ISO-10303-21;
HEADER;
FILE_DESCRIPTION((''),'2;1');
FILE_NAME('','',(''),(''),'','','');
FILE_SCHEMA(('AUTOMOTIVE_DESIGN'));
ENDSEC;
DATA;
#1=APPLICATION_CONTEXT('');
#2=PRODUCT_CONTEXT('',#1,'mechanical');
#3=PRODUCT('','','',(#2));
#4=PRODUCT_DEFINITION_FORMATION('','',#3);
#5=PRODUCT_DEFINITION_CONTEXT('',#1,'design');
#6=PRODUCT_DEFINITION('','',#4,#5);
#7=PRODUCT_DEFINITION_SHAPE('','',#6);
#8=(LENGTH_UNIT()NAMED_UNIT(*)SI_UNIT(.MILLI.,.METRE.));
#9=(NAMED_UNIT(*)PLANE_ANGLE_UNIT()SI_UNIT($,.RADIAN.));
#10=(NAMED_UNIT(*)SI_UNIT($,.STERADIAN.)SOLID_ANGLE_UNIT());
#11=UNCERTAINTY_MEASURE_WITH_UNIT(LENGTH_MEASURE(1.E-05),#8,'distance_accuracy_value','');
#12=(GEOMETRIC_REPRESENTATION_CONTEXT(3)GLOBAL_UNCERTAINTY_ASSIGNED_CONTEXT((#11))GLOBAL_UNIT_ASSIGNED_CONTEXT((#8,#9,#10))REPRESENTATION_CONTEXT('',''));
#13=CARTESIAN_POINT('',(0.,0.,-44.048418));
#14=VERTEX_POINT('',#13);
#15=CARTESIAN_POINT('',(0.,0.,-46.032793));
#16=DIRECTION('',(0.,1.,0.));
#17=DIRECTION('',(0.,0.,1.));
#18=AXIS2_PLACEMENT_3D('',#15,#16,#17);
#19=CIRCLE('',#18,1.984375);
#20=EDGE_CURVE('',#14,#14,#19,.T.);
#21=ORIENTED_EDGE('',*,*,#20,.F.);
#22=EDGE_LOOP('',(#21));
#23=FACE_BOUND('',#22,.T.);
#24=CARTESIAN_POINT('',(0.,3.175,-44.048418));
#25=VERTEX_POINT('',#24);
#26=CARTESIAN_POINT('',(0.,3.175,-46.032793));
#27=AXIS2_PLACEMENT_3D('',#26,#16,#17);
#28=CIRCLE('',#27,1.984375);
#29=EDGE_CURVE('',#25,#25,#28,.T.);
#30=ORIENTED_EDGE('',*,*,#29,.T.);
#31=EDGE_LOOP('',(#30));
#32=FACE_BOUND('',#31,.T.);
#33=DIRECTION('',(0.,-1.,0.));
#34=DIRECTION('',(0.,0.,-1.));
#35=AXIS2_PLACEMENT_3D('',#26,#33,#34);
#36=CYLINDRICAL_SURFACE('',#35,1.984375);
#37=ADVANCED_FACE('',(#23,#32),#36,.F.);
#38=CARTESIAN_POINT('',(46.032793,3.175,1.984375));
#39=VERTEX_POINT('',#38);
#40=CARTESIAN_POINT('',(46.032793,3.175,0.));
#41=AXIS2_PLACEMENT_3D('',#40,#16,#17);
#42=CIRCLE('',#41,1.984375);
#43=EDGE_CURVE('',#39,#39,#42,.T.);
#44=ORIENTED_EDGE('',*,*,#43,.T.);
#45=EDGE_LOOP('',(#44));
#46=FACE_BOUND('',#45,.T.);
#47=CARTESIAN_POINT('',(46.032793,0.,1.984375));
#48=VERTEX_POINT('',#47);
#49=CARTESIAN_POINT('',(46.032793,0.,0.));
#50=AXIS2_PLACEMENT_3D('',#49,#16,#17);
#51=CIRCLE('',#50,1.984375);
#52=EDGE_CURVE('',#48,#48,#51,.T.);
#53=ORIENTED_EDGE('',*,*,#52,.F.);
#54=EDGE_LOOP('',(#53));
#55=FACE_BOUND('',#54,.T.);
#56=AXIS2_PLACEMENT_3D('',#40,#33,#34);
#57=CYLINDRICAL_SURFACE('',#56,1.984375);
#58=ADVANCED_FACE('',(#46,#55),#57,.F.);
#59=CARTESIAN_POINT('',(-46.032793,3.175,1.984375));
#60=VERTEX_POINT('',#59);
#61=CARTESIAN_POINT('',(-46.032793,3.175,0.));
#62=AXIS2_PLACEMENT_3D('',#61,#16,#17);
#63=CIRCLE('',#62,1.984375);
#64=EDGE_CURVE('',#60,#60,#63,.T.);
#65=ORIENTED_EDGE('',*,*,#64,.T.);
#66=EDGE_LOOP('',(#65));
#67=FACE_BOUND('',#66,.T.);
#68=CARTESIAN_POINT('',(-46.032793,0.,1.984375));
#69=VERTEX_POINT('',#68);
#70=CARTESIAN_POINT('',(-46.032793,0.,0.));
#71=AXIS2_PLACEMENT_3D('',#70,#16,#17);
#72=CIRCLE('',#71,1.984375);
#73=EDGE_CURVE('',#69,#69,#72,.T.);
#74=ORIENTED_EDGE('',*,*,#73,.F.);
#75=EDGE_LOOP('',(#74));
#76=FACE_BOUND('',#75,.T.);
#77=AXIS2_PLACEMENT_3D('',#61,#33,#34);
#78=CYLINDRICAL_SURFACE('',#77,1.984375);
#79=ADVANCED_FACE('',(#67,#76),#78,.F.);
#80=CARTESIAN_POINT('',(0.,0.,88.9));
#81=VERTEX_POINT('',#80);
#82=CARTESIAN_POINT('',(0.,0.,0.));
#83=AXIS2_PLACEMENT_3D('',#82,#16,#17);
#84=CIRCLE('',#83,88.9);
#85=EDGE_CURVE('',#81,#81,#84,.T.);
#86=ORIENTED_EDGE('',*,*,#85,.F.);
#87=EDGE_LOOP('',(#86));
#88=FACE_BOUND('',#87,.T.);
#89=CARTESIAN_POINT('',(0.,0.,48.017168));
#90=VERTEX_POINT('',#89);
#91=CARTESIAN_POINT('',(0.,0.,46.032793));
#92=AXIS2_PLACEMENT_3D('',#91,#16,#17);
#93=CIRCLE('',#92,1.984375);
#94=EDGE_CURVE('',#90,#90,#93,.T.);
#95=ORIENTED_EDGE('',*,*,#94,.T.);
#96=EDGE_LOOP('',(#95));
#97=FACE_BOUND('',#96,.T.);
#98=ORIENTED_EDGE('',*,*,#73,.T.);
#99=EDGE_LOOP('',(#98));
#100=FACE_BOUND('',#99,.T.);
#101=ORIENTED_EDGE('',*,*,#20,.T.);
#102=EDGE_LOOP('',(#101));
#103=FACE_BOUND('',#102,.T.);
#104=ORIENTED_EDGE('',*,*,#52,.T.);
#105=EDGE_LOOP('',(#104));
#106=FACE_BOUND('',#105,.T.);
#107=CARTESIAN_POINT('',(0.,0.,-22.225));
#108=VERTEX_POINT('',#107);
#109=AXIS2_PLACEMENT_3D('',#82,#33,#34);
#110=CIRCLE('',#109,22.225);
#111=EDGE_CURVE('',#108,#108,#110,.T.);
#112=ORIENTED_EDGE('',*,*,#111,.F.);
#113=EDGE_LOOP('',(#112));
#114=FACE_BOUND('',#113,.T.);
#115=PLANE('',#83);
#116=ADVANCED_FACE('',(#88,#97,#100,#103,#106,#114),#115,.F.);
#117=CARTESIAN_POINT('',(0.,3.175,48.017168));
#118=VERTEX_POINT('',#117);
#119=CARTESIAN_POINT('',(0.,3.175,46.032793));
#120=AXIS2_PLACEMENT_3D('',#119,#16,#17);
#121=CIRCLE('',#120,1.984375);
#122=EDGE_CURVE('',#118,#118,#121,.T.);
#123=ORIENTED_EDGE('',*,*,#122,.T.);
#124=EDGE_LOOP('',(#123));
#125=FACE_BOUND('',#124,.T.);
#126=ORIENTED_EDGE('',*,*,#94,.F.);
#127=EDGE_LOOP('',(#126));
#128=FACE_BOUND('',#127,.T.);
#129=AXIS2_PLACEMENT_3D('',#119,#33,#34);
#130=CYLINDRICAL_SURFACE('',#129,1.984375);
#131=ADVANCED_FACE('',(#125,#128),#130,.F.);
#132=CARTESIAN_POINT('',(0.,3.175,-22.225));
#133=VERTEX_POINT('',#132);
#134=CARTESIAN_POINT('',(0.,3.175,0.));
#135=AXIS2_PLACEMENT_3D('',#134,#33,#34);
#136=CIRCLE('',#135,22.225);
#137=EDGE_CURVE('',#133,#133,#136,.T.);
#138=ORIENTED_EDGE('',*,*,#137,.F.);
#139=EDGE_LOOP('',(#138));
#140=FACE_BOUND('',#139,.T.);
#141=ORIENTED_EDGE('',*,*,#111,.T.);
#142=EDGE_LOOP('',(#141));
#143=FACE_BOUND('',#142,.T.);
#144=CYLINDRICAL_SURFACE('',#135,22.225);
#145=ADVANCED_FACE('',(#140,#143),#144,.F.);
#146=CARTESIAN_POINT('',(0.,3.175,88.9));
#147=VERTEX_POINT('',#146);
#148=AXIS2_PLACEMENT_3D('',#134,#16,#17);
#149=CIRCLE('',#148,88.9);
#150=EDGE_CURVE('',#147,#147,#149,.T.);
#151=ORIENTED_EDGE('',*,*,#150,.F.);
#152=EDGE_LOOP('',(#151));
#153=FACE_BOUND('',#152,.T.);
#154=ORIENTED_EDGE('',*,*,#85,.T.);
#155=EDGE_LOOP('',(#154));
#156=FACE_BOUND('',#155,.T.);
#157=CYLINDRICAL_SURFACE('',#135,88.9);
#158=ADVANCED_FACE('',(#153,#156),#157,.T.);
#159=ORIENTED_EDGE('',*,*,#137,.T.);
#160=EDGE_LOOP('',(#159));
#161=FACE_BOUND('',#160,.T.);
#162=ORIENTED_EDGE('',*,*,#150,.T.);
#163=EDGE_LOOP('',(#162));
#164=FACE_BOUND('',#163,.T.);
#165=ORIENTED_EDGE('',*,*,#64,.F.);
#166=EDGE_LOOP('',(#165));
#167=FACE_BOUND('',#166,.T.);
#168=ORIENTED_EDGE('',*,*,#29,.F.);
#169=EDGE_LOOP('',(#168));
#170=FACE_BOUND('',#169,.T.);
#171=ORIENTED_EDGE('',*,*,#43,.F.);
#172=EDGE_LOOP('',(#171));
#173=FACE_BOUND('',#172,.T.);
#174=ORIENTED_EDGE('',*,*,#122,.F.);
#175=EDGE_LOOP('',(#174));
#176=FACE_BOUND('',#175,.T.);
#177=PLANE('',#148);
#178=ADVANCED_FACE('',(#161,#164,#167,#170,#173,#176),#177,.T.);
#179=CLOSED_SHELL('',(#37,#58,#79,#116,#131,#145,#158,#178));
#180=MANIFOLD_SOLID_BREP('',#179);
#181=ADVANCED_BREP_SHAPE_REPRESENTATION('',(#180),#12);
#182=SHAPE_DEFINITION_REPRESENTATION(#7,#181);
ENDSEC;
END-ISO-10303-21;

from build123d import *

# Parameters (mm, degrees)
SKETCH1_R           = 88.9
SKETCH1_R_2         = 1.984375
BOSS_EXTRUDE1_DEPTH = 3.175
SKETCH2_R           = 22.225
CUT_EXTRUDE1_DEPTH  = 126.763669734


with BuildPart() as part:
    # Sketch1 → Boss-Extrude1 (new body)
    with BuildSketch(Plane(origin=(0, 0, 0), x_dir=(1, 0, 0), z_dir=(0, 1, 0))):
        with Locations(Location((0, 0, 0), (0, 0, 270))):
            Circle(SKETCH1_R)
        with Locations(Location((0, 46.032792877, 0), (0, 0, 270))):
            Circle(SKETCH1_R_2, mode=Mode.SUBTRACT)
        with Locations(Location((46.032792877, 0, 0), (0, 0, 270))):
            Circle(SKETCH1_R_2, mode=Mode.SUBTRACT)
        with Locations(Location((0, -46.032792877, 0), (0, 0, 270))):
            Circle(SKETCH1_R_2, mode=Mode.SUBTRACT)
        with Locations(Location((-46.032792877, 0, 0), (0, 0, 270))):
            Circle(SKETCH1_R_2, mode=Mode.SUBTRACT)
    extrude(amount=BOSS_EXTRUDE1_DEPTH)

    # Sketch2 → Cut-Extrude1 (cut, through all)
    with BuildSketch(Plane.XZ):
        with Locations(Location((0, 0, 0), (0, 0, 270))):
            Circle(SKETCH2_R)
    extrude(amount=-CUT_EXTRUDE1_DEPTH, mode=Mode.SUBTRACT)


solid = part.part
